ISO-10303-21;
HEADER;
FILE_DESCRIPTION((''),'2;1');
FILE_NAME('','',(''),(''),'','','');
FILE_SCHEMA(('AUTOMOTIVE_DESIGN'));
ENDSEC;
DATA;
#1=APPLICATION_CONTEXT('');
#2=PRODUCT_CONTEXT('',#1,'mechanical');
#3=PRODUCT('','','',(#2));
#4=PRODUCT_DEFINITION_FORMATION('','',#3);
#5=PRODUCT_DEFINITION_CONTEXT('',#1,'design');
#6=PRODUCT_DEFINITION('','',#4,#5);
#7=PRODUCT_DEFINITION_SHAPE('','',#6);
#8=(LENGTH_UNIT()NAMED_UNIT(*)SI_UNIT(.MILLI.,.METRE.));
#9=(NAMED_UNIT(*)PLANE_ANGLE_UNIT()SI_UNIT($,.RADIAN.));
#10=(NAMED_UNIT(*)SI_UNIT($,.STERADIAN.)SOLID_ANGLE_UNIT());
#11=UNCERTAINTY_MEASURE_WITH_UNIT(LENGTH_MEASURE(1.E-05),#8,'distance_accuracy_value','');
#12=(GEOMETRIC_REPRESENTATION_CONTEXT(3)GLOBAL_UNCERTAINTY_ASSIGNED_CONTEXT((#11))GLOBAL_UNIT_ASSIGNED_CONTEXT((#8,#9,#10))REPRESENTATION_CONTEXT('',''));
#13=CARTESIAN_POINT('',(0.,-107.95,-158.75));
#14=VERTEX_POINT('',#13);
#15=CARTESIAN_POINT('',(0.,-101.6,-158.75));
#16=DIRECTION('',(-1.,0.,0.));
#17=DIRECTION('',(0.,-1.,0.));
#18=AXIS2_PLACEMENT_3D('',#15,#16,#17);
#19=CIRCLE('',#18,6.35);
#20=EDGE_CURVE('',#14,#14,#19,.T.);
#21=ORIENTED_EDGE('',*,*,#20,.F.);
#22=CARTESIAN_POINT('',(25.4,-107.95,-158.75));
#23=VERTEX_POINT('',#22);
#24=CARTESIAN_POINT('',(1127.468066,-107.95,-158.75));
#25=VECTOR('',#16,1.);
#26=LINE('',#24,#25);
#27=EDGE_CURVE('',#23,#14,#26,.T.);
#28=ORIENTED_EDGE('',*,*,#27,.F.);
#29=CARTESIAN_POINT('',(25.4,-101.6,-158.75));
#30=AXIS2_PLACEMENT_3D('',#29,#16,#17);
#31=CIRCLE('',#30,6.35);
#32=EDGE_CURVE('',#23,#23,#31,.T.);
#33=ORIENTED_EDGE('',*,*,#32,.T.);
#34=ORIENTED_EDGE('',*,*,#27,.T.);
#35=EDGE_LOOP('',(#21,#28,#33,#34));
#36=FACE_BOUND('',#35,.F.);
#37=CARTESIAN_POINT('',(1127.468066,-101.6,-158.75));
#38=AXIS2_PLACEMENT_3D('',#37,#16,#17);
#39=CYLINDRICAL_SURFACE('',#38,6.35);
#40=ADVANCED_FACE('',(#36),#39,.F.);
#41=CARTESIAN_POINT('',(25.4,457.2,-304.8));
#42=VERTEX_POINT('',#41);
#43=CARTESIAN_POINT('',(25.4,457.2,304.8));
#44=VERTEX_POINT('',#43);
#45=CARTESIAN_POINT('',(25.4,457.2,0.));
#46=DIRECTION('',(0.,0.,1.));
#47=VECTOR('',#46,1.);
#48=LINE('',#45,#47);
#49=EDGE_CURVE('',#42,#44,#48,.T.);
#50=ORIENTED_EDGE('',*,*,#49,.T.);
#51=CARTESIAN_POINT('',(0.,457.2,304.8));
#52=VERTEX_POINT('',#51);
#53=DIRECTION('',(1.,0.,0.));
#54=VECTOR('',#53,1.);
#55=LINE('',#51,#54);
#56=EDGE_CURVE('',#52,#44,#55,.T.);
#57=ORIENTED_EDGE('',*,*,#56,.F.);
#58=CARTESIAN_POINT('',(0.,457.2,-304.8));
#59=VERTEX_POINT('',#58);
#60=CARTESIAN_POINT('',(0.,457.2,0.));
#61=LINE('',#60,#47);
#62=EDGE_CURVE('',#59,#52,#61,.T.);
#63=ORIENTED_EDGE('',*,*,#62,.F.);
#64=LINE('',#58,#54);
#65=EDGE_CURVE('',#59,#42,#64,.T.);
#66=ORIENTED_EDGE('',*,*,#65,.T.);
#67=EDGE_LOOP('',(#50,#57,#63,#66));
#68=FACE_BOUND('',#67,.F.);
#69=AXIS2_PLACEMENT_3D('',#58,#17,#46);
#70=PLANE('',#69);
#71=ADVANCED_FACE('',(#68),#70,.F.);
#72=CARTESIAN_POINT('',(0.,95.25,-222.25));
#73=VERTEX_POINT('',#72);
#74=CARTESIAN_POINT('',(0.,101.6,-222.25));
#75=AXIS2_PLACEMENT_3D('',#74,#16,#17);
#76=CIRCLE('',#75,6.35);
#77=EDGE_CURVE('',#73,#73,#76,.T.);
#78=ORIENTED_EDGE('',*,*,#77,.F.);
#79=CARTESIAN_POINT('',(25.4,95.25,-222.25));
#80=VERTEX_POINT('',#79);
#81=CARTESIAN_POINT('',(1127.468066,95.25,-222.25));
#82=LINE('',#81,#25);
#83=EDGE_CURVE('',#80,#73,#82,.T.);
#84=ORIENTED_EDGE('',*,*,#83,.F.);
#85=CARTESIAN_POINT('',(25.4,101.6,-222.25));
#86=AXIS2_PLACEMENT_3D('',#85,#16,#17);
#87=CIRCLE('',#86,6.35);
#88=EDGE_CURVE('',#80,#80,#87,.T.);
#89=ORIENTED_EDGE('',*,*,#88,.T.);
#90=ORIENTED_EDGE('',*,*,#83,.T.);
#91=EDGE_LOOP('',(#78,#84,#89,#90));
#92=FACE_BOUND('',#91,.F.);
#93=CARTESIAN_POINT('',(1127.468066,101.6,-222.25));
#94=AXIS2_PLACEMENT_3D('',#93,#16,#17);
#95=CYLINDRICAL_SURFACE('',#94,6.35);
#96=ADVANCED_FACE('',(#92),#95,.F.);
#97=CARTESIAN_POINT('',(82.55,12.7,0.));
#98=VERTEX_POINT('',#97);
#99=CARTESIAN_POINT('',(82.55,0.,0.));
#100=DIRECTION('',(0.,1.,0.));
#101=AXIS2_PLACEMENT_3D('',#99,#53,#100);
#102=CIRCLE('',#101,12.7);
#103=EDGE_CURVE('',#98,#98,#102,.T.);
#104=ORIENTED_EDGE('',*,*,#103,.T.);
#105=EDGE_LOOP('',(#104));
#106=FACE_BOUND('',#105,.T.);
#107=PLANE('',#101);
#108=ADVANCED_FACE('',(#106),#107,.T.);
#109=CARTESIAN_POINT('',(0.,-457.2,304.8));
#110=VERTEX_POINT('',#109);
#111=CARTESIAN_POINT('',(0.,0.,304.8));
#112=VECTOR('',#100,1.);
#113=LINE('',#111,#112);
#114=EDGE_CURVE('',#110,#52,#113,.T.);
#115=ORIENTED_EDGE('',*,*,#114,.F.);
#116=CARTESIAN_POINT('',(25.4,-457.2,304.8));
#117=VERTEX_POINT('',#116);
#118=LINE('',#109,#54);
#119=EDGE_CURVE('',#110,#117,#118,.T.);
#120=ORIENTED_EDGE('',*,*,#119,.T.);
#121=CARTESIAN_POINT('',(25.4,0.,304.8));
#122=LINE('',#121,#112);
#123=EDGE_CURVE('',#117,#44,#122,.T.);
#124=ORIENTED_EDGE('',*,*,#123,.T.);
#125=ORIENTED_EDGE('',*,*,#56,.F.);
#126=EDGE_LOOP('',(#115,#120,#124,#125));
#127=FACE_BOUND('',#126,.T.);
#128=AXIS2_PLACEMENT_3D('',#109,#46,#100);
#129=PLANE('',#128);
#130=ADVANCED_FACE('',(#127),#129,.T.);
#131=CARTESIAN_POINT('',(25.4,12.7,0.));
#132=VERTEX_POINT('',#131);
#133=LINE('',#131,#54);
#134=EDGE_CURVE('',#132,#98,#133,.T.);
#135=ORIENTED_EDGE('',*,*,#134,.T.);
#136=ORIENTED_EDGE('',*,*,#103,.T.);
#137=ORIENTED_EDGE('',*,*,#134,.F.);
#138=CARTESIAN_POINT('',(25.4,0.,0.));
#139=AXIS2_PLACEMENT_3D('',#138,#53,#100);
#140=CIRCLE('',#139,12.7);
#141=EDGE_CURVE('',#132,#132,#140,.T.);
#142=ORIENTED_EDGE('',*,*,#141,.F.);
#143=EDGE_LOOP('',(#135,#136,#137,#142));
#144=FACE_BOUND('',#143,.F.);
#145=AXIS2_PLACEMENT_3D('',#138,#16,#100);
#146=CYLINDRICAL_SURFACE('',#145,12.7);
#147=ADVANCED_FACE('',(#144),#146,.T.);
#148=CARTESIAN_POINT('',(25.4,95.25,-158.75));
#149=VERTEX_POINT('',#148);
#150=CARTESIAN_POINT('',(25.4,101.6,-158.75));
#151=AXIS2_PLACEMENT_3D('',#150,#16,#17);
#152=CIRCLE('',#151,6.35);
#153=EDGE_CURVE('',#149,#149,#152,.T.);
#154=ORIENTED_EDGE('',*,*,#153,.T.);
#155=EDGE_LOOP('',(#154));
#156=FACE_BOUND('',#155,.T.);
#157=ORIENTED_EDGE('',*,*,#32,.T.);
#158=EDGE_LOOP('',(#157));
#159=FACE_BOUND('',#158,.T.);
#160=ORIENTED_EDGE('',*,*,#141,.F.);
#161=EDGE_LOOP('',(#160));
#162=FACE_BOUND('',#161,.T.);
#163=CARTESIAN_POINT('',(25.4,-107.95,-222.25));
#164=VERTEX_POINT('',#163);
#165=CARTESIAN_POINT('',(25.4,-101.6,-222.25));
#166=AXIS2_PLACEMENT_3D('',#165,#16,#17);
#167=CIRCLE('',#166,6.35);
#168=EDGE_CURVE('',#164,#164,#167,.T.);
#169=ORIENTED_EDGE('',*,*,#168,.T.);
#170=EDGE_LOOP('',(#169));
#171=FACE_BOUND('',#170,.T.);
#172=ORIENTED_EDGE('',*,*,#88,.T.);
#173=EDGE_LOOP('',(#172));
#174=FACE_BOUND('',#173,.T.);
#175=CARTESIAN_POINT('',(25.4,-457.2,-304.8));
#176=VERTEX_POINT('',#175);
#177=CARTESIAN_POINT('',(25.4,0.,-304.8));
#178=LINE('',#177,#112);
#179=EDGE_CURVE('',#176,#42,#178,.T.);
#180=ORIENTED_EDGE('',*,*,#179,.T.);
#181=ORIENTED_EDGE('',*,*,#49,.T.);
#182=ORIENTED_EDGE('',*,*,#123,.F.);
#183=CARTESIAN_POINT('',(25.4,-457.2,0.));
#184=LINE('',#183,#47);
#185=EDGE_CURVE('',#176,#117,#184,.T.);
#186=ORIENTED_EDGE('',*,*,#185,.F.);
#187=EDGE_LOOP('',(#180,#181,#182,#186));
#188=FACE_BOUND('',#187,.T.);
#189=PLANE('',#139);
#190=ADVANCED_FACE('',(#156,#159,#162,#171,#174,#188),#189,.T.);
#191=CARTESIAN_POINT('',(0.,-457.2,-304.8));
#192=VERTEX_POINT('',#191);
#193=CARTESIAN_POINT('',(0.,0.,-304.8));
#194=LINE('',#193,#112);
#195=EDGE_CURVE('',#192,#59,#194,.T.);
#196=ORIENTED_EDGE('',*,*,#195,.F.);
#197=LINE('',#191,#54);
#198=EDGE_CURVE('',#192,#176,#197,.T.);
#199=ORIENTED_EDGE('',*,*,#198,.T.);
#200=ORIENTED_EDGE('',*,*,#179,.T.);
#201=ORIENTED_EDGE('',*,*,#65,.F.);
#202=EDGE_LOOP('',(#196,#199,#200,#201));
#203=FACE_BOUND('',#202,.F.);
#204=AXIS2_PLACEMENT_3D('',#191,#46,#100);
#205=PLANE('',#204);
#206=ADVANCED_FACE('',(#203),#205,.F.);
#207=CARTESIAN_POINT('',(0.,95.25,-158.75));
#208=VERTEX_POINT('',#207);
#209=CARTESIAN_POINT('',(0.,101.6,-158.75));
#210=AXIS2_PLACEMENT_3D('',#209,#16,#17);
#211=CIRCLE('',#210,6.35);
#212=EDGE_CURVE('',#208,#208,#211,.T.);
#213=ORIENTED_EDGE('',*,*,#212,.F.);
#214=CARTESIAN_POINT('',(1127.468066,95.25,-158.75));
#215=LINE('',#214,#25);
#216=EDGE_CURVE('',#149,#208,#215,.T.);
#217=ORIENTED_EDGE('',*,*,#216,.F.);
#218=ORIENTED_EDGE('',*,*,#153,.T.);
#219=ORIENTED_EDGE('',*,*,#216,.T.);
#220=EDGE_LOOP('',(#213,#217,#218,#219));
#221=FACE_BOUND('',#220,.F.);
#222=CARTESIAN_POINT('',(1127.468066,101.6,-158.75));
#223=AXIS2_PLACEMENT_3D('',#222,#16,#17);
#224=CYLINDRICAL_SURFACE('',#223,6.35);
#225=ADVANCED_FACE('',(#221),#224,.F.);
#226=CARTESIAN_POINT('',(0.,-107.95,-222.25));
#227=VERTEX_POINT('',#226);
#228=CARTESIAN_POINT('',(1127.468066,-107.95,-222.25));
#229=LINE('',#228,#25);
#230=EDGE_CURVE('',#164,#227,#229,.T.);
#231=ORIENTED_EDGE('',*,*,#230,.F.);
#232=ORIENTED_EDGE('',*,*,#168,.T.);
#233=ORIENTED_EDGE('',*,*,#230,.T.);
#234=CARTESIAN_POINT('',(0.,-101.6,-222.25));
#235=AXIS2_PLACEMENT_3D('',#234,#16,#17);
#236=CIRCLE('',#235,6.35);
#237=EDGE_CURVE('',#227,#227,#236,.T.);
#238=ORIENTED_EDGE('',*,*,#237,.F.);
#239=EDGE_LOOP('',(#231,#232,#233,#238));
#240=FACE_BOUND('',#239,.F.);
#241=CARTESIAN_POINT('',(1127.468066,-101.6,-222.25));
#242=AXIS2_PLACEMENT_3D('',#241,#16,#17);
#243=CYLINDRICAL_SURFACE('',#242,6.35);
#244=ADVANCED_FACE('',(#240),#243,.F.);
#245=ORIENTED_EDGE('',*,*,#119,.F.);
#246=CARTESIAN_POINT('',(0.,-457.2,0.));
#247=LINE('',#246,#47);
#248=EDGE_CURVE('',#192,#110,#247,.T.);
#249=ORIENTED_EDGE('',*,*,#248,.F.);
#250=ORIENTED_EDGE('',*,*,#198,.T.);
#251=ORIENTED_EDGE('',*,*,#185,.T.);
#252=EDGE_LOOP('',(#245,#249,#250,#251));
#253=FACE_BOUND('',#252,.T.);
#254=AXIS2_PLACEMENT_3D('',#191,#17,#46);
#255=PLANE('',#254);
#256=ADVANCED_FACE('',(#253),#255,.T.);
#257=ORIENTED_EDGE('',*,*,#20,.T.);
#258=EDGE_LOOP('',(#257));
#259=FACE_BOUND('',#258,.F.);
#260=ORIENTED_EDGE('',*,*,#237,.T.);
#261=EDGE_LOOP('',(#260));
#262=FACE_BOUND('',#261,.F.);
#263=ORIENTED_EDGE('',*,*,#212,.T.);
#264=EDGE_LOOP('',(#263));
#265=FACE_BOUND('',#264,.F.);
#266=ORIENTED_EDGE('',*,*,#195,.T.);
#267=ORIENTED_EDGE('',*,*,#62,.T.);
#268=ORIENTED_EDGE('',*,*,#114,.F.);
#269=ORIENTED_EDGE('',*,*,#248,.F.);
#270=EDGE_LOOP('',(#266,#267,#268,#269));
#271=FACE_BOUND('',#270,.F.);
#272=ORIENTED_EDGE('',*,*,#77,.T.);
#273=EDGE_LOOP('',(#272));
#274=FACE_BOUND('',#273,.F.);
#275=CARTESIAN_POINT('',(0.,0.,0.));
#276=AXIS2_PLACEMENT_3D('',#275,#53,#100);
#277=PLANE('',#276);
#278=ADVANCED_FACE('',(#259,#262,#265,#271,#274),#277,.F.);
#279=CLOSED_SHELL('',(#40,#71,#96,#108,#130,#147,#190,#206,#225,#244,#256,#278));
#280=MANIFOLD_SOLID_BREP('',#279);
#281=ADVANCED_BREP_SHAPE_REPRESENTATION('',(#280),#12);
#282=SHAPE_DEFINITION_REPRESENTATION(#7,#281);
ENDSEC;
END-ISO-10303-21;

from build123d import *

# Parameters (mm, degrees)
F0_W     = 914.4
F0_H     = 609.6
F1_DEPTH = 25.4
F2_R     = 12.7
F3_DEPTH = 57.15
F5_D     = 12.7


with BuildPart() as f1:
    # F0 (on Right) → F1 (new body)
    with BuildSketch(Plane.YZ):
        Rectangle(F0_W, F0_H)
    extrude(amount=F1_DEPTH)

    # F2 (on face) → F3 (join)
    with BuildSketch(Plane.YZ.offset(25.4)):
        Circle(F2_R)
    extrude(amount=F3_DEPTH)

    # F5 (through all)
    with Locations(Plane.YZ.offset(25.4)):
        with Locations((-101.6, -158.75), (101.6, -158.75), (101.6, -222.25), (-101.6, -222.25)):
            Hole(F5_D / 2)


solid = f1.part
